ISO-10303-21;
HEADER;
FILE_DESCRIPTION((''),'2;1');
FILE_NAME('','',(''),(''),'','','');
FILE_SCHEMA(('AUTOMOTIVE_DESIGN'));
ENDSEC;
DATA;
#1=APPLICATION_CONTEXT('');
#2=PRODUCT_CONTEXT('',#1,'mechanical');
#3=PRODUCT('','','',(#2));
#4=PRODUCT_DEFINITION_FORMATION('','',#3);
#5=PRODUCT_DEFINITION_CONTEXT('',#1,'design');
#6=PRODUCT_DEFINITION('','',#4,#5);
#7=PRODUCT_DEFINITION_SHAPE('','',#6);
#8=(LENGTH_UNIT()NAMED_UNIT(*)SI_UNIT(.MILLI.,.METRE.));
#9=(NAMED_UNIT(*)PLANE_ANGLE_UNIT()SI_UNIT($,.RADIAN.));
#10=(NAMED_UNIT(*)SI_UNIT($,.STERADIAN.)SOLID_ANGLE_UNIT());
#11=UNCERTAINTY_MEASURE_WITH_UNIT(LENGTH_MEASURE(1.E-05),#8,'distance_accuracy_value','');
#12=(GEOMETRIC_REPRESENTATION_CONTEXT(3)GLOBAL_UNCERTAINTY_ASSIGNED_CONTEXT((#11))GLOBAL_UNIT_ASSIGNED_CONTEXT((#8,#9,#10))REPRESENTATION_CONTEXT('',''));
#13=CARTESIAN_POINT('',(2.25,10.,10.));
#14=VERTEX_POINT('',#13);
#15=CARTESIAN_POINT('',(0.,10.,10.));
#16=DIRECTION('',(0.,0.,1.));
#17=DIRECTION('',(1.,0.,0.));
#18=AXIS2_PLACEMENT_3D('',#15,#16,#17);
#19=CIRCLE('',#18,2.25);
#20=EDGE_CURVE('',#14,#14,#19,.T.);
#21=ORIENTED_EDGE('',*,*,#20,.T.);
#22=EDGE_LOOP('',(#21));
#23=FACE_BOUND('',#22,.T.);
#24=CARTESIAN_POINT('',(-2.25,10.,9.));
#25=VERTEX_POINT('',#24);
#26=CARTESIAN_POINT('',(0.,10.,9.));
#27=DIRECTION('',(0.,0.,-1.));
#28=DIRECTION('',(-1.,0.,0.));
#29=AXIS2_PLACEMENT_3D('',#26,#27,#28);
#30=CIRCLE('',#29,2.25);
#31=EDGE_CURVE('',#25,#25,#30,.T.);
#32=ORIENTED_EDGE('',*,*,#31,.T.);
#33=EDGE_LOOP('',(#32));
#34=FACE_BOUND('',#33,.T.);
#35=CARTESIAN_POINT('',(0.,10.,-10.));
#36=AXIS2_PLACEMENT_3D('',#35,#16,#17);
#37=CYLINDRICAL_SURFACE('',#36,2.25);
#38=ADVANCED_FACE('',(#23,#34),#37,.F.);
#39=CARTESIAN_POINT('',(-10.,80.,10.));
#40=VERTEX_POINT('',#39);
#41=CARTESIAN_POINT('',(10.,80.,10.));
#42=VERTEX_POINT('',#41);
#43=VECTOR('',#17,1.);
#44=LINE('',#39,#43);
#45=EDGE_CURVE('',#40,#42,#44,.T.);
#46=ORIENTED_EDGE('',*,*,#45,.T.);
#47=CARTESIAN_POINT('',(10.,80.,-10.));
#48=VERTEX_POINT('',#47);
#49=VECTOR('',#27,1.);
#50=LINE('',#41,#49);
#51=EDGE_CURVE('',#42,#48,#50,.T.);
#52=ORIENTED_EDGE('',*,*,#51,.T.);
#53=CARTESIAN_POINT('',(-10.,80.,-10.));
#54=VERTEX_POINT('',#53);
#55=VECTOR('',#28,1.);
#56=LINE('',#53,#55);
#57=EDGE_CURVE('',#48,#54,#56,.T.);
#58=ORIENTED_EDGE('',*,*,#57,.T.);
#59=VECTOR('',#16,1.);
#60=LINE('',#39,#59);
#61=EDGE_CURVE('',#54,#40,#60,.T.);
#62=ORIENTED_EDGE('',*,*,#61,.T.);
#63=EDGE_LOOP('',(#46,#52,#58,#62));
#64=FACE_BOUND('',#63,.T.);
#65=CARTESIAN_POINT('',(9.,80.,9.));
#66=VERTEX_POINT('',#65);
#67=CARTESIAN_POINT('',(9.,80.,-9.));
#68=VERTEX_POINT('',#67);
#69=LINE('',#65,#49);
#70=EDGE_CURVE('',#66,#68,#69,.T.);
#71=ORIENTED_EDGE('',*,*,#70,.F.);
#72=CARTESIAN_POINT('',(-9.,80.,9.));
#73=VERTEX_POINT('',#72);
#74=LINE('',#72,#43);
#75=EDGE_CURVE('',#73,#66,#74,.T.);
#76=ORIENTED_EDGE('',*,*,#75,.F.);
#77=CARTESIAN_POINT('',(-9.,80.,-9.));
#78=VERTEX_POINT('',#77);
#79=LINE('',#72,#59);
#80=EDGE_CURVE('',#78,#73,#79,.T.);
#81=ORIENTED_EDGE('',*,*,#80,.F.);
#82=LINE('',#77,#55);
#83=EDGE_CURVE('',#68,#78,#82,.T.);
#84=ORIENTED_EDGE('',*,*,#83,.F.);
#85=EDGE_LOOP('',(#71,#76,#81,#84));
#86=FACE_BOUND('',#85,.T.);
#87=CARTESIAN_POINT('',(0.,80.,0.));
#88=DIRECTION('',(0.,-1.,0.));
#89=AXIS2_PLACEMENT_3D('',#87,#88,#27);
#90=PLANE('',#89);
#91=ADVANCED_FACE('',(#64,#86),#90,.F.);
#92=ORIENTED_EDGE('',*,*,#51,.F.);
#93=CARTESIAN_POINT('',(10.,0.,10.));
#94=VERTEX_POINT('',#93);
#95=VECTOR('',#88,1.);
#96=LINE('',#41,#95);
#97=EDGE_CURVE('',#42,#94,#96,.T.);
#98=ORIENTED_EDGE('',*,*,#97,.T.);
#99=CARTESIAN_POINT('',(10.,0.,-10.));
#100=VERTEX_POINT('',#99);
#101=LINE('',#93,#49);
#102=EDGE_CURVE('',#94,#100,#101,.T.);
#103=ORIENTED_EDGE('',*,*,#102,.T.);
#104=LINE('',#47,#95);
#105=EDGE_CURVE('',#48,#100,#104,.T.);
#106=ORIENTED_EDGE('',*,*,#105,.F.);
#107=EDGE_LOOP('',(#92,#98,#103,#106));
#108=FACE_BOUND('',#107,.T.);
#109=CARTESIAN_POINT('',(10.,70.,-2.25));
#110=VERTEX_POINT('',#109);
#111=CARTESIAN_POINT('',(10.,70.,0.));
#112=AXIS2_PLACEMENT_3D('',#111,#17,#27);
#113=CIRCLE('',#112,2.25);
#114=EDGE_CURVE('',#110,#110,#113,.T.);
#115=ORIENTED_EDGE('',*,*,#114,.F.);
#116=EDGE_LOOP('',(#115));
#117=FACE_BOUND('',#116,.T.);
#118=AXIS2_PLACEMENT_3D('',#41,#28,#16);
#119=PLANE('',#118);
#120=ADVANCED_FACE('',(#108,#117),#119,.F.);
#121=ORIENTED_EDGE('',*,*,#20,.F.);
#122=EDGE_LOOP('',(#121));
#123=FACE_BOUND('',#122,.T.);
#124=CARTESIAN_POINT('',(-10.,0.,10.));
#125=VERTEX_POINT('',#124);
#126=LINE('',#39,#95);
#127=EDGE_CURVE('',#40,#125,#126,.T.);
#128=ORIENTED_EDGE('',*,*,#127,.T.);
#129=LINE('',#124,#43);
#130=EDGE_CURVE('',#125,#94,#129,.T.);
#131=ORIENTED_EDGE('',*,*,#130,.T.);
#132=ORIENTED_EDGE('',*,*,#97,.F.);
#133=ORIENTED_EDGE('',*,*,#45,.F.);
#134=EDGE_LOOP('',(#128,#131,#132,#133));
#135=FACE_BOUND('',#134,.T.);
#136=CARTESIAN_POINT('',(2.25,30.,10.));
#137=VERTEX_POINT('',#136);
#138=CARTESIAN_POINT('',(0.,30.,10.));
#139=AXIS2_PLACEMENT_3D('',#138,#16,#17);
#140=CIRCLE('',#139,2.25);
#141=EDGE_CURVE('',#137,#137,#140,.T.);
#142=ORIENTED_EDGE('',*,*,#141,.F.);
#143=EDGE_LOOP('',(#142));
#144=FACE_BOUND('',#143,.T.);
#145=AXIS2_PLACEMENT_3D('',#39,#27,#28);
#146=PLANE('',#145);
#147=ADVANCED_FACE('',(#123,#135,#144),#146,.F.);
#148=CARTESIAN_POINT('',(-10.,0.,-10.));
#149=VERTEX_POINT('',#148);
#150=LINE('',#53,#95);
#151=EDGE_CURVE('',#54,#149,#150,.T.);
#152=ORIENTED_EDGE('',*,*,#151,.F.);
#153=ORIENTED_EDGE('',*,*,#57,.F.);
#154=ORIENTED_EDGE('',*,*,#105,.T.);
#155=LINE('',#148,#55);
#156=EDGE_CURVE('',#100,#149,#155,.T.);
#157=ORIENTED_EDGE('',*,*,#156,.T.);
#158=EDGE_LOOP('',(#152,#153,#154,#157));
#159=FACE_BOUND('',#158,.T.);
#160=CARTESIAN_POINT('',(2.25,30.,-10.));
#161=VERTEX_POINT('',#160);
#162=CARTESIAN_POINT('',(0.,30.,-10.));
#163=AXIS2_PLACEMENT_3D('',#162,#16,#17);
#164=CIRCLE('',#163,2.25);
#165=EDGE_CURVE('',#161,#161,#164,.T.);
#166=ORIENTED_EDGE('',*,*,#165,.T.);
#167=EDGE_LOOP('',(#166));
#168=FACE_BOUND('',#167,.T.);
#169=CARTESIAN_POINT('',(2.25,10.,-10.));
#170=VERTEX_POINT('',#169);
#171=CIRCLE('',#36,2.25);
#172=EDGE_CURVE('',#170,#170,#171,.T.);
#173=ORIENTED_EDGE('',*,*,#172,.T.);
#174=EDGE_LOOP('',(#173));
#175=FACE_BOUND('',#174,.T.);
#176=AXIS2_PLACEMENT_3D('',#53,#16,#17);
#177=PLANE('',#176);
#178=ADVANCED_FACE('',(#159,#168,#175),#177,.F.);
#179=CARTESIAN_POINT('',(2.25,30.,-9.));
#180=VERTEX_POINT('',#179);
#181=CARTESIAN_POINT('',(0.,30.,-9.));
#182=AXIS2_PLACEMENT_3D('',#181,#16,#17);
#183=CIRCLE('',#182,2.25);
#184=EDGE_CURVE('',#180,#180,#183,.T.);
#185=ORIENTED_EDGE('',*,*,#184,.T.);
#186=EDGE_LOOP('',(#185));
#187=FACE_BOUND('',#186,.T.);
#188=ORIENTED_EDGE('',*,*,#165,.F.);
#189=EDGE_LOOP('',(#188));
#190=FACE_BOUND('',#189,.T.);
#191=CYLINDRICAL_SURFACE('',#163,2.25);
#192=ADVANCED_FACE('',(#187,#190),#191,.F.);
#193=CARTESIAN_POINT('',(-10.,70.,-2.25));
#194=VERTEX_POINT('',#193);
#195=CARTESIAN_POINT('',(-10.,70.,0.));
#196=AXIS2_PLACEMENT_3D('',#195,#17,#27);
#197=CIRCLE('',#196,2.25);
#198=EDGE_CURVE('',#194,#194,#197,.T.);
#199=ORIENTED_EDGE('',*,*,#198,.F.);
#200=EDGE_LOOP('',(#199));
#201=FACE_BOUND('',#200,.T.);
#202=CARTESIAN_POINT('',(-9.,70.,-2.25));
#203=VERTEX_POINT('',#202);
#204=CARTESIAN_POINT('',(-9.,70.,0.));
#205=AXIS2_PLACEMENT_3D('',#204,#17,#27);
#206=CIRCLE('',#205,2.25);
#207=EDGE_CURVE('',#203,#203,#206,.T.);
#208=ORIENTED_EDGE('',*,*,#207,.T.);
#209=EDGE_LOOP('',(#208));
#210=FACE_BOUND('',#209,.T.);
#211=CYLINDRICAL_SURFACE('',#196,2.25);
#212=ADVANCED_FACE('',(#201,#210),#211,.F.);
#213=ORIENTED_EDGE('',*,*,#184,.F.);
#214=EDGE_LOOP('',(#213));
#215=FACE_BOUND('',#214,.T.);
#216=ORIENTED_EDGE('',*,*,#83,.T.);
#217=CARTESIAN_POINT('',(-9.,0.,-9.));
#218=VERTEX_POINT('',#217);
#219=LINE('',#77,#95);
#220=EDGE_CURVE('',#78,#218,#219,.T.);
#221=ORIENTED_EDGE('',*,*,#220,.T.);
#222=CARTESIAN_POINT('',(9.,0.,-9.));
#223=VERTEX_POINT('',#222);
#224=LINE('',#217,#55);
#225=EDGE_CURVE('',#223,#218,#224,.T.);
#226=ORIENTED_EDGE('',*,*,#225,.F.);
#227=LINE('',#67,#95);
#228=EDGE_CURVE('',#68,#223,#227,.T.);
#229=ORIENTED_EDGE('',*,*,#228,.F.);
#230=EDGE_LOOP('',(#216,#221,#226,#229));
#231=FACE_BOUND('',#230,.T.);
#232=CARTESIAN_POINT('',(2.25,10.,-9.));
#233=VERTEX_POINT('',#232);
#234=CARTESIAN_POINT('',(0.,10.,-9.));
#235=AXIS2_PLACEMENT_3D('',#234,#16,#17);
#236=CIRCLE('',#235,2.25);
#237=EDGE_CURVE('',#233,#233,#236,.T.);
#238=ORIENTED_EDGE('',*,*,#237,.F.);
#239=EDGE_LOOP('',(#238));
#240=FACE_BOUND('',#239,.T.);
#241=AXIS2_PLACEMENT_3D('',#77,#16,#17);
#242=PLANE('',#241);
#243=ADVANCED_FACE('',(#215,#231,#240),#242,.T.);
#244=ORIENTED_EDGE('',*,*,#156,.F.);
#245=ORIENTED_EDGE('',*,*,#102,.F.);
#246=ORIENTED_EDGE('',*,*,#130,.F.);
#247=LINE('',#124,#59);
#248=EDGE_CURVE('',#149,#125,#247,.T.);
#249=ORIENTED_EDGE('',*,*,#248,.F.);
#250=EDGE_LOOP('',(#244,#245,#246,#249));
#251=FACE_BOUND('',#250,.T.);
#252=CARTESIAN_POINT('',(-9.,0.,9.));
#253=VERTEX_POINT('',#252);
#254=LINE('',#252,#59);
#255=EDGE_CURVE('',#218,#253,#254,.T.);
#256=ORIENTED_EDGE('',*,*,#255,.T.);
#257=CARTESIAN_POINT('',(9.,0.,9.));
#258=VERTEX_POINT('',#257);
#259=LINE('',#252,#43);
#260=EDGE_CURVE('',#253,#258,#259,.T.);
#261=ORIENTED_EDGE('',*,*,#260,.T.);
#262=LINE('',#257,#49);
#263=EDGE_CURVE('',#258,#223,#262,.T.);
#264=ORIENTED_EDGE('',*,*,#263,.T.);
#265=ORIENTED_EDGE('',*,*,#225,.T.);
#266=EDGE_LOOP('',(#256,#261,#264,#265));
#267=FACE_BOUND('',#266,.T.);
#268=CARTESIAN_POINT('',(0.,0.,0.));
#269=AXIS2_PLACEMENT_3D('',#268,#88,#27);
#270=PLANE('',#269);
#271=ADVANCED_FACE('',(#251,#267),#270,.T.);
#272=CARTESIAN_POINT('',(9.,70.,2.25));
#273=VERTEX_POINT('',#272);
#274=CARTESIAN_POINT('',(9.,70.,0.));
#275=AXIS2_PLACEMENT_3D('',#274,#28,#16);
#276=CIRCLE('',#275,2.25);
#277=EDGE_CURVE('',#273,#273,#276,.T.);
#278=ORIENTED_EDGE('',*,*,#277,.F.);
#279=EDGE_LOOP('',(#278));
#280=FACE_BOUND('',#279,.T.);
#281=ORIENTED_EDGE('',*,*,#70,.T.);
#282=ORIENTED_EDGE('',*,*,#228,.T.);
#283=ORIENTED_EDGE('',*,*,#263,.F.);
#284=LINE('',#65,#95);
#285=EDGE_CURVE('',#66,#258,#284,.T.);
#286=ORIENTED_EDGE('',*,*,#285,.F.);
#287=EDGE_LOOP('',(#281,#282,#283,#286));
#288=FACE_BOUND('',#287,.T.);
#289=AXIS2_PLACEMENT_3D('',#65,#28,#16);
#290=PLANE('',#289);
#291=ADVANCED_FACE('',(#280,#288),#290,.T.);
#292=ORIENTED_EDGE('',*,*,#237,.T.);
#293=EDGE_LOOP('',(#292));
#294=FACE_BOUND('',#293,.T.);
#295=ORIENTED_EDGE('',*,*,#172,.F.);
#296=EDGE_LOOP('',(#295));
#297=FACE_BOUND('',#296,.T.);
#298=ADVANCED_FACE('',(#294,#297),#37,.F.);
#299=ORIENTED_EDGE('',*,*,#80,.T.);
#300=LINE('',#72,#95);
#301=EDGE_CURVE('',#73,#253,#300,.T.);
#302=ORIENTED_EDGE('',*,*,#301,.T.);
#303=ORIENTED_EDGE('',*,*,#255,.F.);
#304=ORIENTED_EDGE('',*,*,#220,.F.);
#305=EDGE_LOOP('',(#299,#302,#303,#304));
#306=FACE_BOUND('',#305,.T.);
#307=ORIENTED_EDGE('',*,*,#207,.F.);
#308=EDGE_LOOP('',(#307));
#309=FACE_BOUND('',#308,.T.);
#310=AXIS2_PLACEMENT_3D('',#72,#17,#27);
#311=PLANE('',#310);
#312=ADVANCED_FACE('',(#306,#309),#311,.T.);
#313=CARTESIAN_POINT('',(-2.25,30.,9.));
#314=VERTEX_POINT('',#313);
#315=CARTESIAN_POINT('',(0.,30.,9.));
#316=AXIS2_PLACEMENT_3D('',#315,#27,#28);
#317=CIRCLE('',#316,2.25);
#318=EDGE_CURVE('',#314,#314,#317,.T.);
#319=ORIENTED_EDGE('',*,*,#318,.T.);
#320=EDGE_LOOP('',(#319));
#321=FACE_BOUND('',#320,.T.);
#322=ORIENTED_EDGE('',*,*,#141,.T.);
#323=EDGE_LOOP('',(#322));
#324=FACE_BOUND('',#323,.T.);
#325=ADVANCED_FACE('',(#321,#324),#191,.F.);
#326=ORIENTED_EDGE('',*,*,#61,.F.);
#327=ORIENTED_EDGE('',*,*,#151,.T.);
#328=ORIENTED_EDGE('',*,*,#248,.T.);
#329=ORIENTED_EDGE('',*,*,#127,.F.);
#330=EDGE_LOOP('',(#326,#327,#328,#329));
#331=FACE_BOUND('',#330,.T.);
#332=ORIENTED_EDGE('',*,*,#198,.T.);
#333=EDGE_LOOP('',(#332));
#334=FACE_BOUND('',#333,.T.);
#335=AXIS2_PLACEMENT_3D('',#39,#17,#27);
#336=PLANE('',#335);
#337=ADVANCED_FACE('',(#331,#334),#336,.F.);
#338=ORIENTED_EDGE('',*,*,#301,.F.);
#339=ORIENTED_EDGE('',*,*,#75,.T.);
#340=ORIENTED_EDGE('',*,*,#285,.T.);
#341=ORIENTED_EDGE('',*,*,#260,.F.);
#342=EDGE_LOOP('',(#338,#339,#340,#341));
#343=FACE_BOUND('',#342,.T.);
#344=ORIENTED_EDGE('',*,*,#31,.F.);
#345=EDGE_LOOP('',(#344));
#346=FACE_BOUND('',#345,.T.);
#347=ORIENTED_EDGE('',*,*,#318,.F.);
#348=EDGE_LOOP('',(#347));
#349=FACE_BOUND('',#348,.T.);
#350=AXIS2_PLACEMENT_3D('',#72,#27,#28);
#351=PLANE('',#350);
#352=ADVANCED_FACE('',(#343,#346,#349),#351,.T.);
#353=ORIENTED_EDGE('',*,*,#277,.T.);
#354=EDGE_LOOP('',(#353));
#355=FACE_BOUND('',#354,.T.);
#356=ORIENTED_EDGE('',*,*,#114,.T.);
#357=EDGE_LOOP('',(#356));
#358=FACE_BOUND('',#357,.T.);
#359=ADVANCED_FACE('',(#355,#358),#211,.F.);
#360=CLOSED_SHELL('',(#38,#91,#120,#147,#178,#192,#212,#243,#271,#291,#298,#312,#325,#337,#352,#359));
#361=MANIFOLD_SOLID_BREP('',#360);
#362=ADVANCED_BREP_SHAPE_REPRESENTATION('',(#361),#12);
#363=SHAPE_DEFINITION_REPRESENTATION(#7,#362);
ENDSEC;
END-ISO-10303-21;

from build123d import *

# Parameters (mm, degrees)
SKETCH1_W           = 20
SKETCH1_H           = 20
SKETCH1_W_2         = 18
SKETCH1_H_2         = 18
BOSS_EXTRUDE1_DEPTH = 80
SKETCH2_R           = 2.25
CUT_EXTRUDE1_DEPTH  = 84.066238629
SKETCH3_R           = 2.25
CUT_EXTRUDE2_DEPTH  = 84.066238629


with BuildPart() as part:
    # Sketch1 → Boss-Extrude1 (new body)
    with BuildSketch(Plane(origin=(0, 0, 0), x_dir=(1, 0, 0), z_dir=(0, 1, 0))):
        Rectangle(SKETCH1_W, SKETCH1_H)
        Rectangle(SKETCH1_W_2, SKETCH1_H_2, mode=Mode.SUBTRACT)
    extrude(amount=BOSS_EXTRUDE1_DEPTH)

    # Sketch2 → Cut-Extrude1 (cut, through all)
    with BuildSketch(Plane.XY.offset(10)):
        with Locations((0, 10)):
            Circle(SKETCH2_R)
        with Locations((0, 30)):
            Circle(SKETCH2_R)
    extrude(amount=-CUT_EXTRUDE1_DEPTH, mode=Mode.SUBTRACT)

    # Sketch3 → Cut-Extrude2 (cut, through all)
    with BuildSketch(Plane(origin=(10, 0, 0), x_dir=(0, 0, -1), z_dir=(1, 0, 0))):
        with Locations((0, 70)):
            Circle(SKETCH3_R)
    extrude(amount=-CUT_EXTRUDE2_DEPTH, mode=Mode.SUBTRACT)


solid = part.part
